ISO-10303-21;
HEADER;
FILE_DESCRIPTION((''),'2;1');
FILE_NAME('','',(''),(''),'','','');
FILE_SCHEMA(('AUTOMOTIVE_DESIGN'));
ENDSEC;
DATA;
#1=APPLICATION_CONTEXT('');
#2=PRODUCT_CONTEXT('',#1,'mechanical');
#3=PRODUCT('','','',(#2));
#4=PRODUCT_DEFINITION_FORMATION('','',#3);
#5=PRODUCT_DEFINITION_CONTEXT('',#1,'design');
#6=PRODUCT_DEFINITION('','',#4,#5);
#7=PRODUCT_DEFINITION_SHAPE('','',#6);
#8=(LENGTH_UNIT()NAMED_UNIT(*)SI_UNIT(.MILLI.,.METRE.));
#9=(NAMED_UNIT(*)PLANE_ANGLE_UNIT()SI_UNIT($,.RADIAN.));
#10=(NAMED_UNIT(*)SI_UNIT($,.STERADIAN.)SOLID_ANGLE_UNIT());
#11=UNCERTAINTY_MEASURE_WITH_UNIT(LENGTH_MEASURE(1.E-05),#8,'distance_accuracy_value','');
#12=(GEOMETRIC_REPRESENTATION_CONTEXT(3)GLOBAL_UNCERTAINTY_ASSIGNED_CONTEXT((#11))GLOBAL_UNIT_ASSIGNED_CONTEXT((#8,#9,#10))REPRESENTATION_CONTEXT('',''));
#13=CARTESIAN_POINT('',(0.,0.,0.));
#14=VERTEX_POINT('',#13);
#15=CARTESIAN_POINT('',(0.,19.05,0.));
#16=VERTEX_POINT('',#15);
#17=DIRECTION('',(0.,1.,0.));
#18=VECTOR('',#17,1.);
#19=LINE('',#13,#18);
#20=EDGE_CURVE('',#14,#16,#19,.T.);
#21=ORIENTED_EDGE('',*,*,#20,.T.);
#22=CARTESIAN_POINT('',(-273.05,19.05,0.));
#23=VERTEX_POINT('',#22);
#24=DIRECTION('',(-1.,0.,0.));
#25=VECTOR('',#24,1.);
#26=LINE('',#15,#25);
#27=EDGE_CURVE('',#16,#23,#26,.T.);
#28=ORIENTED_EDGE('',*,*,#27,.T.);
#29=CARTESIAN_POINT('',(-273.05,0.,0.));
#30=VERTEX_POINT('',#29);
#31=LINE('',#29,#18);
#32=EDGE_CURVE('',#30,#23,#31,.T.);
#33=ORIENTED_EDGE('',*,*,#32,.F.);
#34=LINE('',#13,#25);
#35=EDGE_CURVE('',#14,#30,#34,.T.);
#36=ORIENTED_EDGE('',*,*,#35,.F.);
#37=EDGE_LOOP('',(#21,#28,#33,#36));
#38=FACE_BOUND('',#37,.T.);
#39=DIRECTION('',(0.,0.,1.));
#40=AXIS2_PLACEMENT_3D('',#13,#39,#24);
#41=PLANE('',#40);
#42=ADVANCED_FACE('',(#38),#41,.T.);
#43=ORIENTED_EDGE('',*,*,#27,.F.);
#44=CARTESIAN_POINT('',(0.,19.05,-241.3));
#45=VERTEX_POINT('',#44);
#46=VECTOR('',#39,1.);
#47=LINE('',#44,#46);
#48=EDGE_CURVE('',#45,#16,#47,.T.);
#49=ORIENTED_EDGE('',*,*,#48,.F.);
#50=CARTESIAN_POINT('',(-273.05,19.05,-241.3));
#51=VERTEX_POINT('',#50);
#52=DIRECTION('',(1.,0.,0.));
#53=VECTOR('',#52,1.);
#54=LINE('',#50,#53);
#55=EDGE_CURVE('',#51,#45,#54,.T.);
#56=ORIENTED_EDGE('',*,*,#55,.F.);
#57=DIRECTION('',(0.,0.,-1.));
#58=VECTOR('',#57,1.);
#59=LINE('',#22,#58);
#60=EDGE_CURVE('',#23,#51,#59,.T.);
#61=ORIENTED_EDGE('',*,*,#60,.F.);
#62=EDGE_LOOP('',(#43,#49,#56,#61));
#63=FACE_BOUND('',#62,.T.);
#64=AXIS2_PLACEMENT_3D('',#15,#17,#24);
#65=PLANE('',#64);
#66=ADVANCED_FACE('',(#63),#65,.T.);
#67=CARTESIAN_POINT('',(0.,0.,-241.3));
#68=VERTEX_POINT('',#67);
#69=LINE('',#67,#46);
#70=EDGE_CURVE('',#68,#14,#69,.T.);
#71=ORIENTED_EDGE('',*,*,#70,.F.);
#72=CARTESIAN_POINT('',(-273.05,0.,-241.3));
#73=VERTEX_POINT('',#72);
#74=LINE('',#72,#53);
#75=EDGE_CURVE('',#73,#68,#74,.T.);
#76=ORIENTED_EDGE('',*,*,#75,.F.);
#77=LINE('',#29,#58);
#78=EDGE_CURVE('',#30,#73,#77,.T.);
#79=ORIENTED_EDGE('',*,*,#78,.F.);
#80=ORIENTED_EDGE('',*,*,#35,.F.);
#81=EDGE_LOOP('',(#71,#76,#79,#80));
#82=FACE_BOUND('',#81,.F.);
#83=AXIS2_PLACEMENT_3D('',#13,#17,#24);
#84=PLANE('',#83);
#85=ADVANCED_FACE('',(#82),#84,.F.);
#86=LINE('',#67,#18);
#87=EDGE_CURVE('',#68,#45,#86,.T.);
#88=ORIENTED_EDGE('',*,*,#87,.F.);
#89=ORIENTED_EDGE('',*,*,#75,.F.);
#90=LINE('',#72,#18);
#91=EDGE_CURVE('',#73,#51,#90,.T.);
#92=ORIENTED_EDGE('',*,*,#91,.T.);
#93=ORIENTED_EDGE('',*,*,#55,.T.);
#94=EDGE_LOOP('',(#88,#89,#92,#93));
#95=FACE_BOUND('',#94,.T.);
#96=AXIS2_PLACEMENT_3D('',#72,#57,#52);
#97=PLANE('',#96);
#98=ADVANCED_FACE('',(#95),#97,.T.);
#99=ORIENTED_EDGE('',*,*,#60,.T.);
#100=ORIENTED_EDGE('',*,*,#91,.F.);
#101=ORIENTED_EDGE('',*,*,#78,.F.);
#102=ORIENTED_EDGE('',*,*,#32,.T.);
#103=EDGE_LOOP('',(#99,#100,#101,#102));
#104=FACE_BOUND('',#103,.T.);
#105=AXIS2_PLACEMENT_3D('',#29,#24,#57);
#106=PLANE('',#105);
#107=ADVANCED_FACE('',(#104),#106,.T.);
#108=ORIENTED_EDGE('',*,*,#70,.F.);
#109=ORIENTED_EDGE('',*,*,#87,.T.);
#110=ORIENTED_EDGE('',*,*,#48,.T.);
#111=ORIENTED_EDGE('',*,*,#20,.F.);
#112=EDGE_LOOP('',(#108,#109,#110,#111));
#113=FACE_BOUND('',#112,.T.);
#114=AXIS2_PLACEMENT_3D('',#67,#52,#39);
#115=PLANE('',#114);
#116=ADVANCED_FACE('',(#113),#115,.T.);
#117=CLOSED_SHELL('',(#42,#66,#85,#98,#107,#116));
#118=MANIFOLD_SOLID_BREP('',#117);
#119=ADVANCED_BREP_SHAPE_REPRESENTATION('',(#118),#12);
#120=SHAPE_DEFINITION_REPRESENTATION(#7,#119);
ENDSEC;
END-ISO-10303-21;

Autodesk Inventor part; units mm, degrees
ref_plane "YZ Plane" through (0, 0, 0) normal (1, 0, 0) x (0, 1, 0)
ref_plane "XZ Plane" through (0, 0, 0) normal (0, 1, 0) x (-1, 0, 0)
ref_plane "XY Plane" through (0, 0, 0) normal (0, 0, 1) x (1, 0, 0)
sketch "Sketch1" plane through (0, 0, 0) normal (0, 1, 0) x (-1, 0, 0)
  line L0 (0, 0) -> (273.05, 0)
  line L1 (273.05, 0) -> (273.05, -241.3)
  line L2 (273.05, -241.3) -> (0, -241.3)
  line L3 (0, -241.3) -> (0, 0)
  dimension "d0" = 273.05
  dimension "d1" = 241.3
extrude "Extrusion1" add sketch "Sketch1" along normal blind 19.05
properties part number "bottom"
